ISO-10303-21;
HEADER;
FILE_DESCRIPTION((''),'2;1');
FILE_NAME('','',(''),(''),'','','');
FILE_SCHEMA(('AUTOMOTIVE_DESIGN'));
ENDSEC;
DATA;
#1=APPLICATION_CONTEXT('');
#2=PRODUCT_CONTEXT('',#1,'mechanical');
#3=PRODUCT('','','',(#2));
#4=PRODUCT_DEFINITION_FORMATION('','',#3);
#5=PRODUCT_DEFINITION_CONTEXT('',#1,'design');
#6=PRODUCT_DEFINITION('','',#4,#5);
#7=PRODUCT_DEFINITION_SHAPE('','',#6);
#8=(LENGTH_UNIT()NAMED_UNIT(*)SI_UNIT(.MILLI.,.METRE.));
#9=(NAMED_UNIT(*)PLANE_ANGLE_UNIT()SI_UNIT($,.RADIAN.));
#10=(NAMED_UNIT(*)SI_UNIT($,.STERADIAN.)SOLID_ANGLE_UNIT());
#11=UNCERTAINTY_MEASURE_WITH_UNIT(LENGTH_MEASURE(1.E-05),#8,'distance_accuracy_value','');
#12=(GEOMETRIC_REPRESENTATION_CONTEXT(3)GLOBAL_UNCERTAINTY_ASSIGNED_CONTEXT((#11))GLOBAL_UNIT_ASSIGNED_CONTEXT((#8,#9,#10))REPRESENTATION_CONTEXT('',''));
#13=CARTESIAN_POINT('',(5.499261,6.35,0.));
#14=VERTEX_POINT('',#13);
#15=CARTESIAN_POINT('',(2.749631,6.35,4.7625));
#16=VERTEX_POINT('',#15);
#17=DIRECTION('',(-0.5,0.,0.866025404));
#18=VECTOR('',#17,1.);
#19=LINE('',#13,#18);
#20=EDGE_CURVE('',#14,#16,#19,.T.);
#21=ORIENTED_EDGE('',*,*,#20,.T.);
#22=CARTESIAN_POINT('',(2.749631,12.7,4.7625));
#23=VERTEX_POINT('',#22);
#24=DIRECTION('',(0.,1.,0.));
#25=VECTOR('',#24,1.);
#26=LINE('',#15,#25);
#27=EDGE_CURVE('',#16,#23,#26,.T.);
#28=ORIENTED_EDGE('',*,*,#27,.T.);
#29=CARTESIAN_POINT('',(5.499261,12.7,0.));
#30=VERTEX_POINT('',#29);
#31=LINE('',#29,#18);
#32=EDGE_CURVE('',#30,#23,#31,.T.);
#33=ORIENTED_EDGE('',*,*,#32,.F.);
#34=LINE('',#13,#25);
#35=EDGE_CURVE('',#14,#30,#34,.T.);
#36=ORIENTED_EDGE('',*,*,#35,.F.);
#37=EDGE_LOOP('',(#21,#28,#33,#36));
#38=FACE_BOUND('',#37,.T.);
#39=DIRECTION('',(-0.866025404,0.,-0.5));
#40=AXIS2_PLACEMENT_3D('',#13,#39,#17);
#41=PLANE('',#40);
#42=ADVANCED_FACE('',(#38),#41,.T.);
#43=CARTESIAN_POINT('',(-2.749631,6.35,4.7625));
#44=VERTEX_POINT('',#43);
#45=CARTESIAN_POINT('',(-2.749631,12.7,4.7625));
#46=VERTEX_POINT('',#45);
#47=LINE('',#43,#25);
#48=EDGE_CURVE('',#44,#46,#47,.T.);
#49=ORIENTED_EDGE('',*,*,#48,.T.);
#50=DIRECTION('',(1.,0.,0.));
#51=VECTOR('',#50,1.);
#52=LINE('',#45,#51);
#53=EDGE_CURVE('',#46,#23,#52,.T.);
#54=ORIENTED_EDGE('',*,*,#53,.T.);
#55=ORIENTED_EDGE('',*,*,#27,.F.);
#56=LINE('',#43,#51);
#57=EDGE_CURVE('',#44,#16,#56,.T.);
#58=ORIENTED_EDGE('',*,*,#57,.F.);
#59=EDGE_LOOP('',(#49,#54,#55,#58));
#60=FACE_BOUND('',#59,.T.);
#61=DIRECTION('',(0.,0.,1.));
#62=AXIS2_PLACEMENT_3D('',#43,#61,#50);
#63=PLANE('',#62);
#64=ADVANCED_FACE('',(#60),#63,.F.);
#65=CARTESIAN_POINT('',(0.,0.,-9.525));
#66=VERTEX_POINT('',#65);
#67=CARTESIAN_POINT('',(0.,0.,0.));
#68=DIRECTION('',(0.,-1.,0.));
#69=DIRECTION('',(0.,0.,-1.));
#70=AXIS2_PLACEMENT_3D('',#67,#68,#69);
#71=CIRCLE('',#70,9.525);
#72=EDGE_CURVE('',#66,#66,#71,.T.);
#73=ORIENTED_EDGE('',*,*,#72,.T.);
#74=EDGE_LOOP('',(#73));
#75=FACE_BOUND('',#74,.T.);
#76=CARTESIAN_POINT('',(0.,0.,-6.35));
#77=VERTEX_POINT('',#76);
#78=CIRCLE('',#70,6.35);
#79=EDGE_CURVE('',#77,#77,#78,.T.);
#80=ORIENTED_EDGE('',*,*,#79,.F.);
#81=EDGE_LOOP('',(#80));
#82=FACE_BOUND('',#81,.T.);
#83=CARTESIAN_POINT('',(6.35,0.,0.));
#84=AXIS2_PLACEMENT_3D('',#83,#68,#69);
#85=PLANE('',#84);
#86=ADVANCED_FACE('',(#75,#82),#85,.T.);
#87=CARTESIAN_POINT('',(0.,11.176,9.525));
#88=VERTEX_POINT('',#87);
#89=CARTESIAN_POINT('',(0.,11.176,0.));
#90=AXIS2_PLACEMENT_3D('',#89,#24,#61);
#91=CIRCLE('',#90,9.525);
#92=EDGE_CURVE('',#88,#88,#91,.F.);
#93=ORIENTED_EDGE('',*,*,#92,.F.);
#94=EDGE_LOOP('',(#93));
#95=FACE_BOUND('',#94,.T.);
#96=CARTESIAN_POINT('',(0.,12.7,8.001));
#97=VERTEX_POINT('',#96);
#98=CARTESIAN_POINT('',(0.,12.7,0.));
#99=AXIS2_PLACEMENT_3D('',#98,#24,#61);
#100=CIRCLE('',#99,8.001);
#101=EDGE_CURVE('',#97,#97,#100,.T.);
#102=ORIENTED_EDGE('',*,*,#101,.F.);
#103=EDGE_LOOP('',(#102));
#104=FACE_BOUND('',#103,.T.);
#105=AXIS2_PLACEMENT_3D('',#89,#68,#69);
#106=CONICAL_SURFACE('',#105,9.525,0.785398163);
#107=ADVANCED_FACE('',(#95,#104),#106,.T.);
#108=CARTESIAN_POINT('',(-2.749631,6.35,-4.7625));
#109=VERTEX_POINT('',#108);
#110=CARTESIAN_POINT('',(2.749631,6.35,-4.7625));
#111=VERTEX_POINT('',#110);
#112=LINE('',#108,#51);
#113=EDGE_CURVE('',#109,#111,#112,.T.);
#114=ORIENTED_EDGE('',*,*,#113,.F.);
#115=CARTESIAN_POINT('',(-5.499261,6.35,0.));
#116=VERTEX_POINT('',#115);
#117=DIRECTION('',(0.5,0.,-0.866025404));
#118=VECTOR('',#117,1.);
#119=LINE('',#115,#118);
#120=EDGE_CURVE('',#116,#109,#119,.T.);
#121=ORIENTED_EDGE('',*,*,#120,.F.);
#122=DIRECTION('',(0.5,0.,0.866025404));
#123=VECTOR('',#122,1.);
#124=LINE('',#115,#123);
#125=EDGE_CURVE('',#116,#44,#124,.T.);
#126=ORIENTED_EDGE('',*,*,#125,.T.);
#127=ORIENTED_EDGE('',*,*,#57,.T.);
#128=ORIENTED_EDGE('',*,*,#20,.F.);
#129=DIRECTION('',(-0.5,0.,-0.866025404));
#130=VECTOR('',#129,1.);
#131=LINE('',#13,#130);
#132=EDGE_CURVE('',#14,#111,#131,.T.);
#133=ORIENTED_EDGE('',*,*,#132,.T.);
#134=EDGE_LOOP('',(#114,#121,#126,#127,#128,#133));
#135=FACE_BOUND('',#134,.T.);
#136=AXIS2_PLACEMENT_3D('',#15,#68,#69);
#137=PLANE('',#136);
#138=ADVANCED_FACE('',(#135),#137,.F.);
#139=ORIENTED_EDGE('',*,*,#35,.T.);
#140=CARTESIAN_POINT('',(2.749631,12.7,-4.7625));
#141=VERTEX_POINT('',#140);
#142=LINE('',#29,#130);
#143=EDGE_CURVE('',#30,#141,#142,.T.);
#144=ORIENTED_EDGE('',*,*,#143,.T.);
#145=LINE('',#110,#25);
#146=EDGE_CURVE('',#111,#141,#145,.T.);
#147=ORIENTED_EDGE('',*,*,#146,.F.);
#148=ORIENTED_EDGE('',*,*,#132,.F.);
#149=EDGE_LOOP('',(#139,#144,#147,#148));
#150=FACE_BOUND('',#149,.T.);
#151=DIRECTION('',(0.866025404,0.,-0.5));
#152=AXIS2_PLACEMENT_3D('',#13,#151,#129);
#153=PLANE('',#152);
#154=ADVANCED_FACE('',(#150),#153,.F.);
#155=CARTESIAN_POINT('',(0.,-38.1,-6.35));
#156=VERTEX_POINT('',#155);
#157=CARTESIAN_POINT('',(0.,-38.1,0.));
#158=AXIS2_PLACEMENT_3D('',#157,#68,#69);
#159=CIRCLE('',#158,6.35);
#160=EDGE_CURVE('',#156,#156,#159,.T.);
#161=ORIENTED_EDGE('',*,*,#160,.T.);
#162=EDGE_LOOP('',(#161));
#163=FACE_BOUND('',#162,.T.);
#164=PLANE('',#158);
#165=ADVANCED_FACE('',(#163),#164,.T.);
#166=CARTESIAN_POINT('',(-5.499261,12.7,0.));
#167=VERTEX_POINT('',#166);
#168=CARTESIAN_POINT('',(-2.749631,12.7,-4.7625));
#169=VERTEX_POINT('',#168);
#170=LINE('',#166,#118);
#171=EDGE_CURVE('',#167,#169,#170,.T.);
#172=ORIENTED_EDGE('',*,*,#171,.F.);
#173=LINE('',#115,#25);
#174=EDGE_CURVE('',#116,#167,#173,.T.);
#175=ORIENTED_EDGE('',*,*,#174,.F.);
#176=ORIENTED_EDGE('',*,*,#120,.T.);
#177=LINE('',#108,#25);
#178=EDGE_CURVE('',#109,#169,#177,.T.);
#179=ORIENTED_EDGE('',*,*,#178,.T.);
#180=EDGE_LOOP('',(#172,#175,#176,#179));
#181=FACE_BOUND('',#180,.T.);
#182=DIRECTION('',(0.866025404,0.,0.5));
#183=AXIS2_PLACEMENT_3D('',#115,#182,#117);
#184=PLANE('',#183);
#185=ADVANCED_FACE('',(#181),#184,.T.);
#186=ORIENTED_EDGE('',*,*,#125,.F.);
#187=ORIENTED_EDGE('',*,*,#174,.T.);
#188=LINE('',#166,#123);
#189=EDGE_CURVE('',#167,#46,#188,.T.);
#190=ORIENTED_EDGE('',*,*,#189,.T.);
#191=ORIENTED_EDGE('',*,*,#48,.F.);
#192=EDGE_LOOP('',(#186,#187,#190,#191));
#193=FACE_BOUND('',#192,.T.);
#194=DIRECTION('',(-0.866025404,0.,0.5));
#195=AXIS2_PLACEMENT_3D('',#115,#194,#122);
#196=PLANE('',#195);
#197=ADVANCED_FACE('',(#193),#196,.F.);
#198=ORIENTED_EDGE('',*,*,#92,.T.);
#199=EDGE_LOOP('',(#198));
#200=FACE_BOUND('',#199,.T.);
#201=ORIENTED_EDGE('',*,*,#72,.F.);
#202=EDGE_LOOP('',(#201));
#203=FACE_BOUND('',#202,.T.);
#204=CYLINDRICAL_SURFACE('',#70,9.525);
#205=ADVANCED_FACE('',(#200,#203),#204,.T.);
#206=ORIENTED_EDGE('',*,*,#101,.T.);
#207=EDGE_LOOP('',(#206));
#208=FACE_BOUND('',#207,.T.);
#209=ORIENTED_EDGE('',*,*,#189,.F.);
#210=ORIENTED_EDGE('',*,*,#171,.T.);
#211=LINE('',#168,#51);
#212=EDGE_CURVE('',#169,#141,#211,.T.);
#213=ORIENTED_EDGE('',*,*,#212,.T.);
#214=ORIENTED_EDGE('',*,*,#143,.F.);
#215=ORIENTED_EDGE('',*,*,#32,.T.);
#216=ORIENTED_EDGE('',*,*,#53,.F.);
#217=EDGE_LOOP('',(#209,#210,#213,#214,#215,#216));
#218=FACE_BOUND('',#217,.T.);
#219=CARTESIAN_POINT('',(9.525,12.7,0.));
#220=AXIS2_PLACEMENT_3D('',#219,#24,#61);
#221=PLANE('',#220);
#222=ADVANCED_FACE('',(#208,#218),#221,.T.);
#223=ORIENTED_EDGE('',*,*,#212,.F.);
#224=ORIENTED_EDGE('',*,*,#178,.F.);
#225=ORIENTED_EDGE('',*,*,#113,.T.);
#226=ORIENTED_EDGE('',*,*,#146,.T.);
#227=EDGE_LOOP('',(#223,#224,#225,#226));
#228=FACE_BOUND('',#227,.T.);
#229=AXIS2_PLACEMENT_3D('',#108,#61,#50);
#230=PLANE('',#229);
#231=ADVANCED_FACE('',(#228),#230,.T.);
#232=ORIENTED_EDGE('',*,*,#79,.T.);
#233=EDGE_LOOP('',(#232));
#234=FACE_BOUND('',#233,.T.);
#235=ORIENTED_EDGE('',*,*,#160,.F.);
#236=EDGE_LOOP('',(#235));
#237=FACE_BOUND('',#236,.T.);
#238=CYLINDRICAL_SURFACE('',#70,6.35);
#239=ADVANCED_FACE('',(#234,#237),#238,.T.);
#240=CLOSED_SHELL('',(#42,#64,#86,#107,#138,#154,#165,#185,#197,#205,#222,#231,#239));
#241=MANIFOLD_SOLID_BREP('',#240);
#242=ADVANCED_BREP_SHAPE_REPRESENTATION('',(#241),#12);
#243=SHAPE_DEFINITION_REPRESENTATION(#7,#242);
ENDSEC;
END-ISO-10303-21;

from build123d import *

# Parameters (mm, degrees)
CUT_EXTRUDE1_DEPTH = 6.35
CHAMFER1_SIZE      = 1.524


with BuildPart() as part:
    # Sketch1 → Base-Revolve (revolve)
    with BuildSketch(Plane.XY, mode=Mode.PRIVATE) as base_revolve_sk:
        Polygon((6.35, 0), (9.525, 0), (9.525, 12.7), (0, 12.7), (0, -38.1), (6.35, -38.1), align=None)
    revolve(base_revolve_sk.sketch.rotate(Axis((0, 0, 0), (0, 1, 0)), 90), axis=Axis((0, 0, 0), (0, 1, 0)))

    # Sketch2 → Cut-Extrude1 (cut)
    with BuildSketch(Plane(origin=(0, 12.7, 0), x_dir=(-1, 0, 0), z_dir=(0, 1, 0))):
        Polygon((2.749630657, -4.7625), (-2.749630657, -4.7625), (-5.499261314, 0), (-2.749630657, 4.7625), (2.749630657, 4.7625), (5.499261314, 0), align=None)
    extrude(amount=-CUT_EXTRUDE1_DEPTH, mode=Mode.SUBTRACT)

    # Chamfer1
    chamfer1_edges = [part.edges().sort_by_distance(p)[0] for p in [
        (0, 12.7, 9.525),
    ]]
    chamfer(chamfer1_edges, length=CHAMFER1_SIZE)


solid = part.part
